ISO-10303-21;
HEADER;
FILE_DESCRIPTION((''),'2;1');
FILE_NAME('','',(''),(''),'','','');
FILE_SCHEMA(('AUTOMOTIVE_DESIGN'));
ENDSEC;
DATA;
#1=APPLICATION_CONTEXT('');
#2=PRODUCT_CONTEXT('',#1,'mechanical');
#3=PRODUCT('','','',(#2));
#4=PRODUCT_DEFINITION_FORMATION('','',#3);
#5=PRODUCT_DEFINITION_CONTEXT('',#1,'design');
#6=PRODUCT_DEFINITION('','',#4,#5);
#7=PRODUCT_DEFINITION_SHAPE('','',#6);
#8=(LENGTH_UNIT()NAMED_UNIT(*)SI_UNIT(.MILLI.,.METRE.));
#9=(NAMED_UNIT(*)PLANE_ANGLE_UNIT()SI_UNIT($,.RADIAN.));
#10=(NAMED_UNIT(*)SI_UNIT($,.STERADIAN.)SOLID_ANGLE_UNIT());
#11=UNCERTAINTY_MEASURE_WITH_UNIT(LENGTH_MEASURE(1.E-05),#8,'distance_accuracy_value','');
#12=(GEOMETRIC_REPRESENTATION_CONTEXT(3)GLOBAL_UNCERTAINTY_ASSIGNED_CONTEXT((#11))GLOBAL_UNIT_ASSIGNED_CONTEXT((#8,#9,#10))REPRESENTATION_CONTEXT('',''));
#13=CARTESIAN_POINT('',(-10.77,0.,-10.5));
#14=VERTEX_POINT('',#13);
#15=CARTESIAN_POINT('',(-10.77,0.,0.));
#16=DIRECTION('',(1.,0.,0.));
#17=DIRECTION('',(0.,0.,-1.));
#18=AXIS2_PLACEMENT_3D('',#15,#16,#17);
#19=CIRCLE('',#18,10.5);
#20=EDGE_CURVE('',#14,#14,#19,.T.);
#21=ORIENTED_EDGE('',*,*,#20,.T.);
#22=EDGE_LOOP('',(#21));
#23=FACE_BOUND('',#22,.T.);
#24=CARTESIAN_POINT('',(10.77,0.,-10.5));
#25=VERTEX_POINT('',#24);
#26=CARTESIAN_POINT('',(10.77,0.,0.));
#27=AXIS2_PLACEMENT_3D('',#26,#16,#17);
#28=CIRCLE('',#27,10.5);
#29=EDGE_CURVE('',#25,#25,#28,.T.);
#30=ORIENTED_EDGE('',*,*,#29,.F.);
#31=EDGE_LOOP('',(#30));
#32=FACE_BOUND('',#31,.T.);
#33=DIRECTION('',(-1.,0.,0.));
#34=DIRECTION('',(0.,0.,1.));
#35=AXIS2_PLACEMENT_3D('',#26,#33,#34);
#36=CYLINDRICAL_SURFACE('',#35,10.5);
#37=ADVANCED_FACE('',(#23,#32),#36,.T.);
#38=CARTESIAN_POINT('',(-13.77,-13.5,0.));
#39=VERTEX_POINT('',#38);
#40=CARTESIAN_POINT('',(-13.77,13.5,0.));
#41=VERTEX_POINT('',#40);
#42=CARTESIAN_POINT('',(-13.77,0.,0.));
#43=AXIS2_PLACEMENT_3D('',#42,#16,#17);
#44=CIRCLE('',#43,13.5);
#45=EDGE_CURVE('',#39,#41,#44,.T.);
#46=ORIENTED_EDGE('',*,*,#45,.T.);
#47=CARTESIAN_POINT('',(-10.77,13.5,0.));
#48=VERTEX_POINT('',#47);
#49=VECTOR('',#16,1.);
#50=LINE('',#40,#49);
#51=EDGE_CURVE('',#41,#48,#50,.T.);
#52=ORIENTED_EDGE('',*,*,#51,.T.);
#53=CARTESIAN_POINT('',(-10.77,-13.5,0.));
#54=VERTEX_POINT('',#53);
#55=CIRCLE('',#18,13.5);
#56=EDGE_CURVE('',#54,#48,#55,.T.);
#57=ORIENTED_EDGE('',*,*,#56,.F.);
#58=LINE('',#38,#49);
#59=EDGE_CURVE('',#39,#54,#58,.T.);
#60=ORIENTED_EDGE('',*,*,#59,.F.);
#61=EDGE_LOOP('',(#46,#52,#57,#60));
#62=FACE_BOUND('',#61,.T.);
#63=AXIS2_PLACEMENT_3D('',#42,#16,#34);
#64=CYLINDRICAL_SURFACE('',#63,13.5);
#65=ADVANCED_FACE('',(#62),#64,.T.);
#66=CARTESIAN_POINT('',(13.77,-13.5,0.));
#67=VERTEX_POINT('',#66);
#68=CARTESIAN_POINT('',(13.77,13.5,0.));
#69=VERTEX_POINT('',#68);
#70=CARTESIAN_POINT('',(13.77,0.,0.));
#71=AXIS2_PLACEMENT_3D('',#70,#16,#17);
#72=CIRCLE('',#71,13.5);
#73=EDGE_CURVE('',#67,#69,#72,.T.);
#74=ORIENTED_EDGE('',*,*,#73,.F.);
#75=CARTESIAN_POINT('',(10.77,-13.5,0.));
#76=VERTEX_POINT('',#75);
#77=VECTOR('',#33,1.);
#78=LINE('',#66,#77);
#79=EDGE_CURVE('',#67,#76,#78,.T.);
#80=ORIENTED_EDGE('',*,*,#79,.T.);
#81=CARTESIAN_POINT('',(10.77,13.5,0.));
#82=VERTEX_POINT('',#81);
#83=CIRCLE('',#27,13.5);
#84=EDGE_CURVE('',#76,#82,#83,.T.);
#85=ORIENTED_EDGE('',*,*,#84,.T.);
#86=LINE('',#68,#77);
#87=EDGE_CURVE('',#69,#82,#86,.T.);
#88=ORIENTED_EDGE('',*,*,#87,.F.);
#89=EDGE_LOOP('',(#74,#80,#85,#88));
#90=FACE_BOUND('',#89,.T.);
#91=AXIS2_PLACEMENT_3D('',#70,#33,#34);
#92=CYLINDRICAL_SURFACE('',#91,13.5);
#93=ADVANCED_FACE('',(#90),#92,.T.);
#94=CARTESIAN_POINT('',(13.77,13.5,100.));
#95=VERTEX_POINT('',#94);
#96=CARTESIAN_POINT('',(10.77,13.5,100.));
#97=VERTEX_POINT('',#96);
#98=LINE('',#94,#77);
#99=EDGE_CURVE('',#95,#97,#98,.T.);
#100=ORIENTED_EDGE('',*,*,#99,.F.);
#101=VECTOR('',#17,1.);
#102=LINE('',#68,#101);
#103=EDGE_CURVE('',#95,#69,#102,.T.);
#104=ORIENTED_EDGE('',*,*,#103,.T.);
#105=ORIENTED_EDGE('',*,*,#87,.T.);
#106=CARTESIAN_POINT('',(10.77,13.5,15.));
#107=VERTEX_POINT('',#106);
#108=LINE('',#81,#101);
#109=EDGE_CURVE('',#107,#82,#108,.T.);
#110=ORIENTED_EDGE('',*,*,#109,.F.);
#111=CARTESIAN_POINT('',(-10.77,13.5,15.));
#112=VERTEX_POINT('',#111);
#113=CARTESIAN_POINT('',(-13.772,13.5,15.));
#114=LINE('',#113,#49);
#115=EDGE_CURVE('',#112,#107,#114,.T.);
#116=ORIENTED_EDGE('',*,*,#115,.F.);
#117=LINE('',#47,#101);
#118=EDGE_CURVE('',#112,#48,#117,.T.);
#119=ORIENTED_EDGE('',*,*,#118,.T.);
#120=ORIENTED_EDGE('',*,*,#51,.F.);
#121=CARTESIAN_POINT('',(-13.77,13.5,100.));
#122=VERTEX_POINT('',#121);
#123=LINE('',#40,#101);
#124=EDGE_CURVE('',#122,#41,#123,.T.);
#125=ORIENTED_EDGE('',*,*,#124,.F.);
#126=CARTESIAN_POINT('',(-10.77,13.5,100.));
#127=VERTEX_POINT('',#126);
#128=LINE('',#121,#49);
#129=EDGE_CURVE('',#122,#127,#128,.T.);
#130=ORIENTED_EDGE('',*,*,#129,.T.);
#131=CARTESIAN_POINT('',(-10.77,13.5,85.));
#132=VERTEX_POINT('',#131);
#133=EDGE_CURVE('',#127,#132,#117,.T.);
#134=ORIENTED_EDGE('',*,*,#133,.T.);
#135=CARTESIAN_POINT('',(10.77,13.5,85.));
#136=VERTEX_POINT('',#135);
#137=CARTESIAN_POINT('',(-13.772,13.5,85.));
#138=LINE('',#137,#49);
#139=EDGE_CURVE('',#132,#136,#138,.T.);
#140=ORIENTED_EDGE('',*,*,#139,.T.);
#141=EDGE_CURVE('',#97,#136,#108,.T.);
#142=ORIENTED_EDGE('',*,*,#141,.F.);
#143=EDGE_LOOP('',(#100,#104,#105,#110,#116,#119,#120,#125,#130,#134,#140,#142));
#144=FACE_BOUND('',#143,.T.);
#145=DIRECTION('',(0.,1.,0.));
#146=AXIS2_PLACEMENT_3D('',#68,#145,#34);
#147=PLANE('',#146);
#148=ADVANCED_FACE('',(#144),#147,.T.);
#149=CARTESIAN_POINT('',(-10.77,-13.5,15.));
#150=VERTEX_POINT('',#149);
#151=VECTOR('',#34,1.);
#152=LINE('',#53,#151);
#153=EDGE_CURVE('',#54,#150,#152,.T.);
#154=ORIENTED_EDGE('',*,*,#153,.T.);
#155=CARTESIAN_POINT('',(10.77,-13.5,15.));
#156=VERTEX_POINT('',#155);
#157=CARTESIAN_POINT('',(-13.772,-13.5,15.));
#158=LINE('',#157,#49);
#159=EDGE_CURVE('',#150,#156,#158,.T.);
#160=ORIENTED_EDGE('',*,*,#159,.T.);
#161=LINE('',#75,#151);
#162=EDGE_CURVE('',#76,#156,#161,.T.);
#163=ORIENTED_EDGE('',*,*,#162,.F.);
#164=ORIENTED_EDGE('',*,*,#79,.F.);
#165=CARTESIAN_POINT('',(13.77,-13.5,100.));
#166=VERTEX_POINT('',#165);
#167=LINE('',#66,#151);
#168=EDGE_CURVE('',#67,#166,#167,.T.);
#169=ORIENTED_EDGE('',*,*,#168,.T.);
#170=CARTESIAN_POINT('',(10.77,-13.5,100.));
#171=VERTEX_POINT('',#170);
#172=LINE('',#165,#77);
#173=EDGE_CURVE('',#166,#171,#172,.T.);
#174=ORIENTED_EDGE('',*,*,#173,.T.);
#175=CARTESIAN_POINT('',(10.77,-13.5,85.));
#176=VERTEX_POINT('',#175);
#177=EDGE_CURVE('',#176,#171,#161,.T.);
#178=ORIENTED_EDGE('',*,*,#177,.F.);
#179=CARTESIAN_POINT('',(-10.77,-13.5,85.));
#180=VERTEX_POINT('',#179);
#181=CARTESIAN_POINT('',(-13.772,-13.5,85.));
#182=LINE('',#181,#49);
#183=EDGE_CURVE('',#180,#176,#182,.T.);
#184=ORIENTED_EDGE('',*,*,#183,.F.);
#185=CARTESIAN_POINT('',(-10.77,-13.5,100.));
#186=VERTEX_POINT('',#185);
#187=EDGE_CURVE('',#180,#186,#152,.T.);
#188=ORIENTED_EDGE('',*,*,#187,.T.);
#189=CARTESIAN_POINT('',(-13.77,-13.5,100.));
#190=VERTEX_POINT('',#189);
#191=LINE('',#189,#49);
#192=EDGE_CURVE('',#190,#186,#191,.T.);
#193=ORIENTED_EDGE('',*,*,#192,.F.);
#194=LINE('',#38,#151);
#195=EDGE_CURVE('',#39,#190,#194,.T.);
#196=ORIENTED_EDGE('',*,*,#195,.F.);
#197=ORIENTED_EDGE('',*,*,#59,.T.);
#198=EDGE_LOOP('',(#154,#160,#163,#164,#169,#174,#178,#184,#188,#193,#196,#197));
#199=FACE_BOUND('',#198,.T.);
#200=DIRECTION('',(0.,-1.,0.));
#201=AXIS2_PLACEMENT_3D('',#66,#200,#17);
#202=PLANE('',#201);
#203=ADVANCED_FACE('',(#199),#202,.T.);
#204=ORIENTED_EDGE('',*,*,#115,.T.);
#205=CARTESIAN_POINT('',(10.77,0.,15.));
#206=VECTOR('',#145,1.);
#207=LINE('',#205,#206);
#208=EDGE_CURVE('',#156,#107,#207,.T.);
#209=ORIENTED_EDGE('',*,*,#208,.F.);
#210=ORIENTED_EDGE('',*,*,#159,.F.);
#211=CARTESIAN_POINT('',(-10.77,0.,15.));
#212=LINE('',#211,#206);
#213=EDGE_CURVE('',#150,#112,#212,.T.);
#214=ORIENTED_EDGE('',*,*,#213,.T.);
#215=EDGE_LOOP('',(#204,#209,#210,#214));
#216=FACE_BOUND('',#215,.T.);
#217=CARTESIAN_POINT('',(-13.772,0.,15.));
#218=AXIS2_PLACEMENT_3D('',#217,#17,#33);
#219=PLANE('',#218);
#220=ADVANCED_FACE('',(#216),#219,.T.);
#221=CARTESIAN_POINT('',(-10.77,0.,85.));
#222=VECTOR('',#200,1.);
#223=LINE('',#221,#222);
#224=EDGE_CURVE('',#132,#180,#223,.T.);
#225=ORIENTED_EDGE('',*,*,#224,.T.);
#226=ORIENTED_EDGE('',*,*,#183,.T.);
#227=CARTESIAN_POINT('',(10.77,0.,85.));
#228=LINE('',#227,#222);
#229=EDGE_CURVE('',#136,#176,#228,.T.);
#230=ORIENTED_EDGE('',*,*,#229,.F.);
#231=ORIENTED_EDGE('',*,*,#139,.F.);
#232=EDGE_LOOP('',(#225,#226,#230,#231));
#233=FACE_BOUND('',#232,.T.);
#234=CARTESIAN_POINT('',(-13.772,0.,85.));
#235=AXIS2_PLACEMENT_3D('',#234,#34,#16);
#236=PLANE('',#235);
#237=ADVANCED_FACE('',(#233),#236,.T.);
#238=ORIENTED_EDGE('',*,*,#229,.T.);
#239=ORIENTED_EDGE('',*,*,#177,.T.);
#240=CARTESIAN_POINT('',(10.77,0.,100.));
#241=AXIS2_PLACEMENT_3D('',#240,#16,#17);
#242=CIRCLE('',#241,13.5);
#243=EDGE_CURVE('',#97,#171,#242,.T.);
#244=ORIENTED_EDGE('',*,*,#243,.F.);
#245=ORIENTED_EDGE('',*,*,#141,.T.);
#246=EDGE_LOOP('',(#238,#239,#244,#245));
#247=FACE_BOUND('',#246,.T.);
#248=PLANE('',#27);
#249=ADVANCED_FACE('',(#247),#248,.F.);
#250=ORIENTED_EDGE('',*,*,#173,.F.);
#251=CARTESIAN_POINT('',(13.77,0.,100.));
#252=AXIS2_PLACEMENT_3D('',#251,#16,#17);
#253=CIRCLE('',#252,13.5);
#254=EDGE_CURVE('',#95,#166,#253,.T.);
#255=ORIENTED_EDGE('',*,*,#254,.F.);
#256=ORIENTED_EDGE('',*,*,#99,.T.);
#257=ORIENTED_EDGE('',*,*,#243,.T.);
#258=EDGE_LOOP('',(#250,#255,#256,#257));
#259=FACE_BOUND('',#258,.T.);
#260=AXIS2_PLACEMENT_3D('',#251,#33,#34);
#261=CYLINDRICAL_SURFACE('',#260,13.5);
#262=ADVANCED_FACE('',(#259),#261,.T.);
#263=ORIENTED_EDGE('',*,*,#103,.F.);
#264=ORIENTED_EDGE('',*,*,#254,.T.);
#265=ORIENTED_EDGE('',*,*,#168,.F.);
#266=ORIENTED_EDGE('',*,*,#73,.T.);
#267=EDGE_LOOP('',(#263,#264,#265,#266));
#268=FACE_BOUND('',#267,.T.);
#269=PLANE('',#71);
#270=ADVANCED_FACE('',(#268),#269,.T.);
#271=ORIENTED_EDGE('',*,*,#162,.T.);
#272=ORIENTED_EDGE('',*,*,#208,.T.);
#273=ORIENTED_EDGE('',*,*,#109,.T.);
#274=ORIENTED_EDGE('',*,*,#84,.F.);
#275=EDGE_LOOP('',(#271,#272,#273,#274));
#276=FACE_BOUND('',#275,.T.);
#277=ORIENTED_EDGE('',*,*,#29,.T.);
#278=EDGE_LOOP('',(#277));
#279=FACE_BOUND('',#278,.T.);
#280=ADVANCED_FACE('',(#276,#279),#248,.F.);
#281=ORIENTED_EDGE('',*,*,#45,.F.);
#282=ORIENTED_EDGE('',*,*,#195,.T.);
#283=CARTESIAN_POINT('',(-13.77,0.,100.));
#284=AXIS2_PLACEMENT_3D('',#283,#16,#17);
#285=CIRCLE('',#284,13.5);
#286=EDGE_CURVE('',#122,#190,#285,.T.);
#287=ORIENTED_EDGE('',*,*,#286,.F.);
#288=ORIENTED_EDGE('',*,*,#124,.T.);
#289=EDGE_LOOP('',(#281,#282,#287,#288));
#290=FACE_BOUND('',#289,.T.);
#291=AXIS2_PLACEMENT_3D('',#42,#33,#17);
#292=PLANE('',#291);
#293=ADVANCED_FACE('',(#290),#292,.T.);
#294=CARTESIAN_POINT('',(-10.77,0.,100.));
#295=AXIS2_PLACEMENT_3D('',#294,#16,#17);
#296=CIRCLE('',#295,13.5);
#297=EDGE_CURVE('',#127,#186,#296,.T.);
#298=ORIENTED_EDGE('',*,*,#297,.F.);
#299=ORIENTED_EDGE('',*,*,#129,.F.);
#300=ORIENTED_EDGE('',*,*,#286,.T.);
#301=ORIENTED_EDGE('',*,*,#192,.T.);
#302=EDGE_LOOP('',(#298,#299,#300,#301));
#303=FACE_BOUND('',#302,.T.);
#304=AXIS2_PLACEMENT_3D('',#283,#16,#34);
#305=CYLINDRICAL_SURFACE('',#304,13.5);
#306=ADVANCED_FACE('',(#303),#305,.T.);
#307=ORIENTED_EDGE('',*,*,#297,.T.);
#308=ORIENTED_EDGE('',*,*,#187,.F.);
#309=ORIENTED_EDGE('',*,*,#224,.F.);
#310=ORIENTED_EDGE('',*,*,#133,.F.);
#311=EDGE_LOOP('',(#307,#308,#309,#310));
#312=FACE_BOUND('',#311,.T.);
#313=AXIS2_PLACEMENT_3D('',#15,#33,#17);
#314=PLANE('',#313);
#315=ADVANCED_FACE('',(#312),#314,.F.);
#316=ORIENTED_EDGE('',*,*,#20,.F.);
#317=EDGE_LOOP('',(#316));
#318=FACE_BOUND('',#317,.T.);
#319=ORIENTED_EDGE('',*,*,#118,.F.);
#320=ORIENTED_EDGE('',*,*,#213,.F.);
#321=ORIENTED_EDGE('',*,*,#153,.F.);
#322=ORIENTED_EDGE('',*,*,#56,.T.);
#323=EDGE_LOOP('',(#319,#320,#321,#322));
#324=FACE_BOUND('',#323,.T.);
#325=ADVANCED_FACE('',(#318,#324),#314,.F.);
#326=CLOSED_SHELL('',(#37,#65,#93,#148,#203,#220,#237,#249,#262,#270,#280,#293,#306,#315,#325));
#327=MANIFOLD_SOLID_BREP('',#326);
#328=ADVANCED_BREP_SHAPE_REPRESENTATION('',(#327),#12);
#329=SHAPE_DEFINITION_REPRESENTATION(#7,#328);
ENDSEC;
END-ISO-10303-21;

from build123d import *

# Parameters (mm, degrees)
SCHIZZO1_R                   = 10.5
ESTRUSIONE_ESTRUSIONE1_DEPTH = 10.77
ESTRUSIONE_ESTRUSIONE2_START = 10.77
ESTRUSIONE_ESTRUSIONE2_DEPTH = 3
ESTRUSIONE_ESTRUSIONE3_START = -3
SCHIZZO4_W                   = 70
SCHIZZO4_H                   = 27
ESTRUSIONE_ESTRUSIONE3_DEPTH = 21.54


with BuildPart() as part:
    # Schizzo1 → Estrusione-Estrusione1 (new, symmetric)
    with BuildSketch(Plane(origin=(0, 0, 0), x_dir=(0, 0, -1), z_dir=(1, 0, 0))):
        Circle(SCHIZZO1_R)
    extrude(amount=ESTRUSIONE_ESTRUSIONE1_DEPTH, both=True)

    # Schizzo3 → Estrusione-Estrusione2 (add)
    with BuildSketch(Plane(origin=(0, 0, 0), x_dir=(0, 0, -1), z_dir=(1, 0, 0)).offset(ESTRUSIONE_ESTRUSIONE2_START)):
        with BuildLine():
            Line((-100, 13.5), (0, 13.5))
            ThreePointArc((0, 13.5), (13.5, 0), (0, -13.5))
            Line((0, -13.5), (-100, -13.5))
            ThreePointArc((-100, -13.5), (-113.5, 0), (-100, 13.5))
        make_face()
    estrusione_estrusione2 = extrude(amount=ESTRUSIONE_ESTRUSIONE2_DEPTH)

    # Specchia4: Estrusione-Estrusione2 across plane
    add(estrusione_estrusione2.mirror(Plane(origin=(0, 0, 0), x_dir=(0, 0, 1), z_dir=(1, 0, 0))))

    # Schizzo4 → Estrusione-Estrusione3 (add)
    with BuildSketch(Plane(origin=(13.77, 0, 0), x_dir=(0, 0, -1), z_dir=(1, 0, 0)).offset(ESTRUSIONE_ESTRUSIONE3_START)):
        with Locations((-50, 0)):
            Rectangle(SCHIZZO4_W, SCHIZZO4_H)
    extrude(amount=-ESTRUSIONE_ESTRUSIONE3_DEPTH)


solid = part.part
